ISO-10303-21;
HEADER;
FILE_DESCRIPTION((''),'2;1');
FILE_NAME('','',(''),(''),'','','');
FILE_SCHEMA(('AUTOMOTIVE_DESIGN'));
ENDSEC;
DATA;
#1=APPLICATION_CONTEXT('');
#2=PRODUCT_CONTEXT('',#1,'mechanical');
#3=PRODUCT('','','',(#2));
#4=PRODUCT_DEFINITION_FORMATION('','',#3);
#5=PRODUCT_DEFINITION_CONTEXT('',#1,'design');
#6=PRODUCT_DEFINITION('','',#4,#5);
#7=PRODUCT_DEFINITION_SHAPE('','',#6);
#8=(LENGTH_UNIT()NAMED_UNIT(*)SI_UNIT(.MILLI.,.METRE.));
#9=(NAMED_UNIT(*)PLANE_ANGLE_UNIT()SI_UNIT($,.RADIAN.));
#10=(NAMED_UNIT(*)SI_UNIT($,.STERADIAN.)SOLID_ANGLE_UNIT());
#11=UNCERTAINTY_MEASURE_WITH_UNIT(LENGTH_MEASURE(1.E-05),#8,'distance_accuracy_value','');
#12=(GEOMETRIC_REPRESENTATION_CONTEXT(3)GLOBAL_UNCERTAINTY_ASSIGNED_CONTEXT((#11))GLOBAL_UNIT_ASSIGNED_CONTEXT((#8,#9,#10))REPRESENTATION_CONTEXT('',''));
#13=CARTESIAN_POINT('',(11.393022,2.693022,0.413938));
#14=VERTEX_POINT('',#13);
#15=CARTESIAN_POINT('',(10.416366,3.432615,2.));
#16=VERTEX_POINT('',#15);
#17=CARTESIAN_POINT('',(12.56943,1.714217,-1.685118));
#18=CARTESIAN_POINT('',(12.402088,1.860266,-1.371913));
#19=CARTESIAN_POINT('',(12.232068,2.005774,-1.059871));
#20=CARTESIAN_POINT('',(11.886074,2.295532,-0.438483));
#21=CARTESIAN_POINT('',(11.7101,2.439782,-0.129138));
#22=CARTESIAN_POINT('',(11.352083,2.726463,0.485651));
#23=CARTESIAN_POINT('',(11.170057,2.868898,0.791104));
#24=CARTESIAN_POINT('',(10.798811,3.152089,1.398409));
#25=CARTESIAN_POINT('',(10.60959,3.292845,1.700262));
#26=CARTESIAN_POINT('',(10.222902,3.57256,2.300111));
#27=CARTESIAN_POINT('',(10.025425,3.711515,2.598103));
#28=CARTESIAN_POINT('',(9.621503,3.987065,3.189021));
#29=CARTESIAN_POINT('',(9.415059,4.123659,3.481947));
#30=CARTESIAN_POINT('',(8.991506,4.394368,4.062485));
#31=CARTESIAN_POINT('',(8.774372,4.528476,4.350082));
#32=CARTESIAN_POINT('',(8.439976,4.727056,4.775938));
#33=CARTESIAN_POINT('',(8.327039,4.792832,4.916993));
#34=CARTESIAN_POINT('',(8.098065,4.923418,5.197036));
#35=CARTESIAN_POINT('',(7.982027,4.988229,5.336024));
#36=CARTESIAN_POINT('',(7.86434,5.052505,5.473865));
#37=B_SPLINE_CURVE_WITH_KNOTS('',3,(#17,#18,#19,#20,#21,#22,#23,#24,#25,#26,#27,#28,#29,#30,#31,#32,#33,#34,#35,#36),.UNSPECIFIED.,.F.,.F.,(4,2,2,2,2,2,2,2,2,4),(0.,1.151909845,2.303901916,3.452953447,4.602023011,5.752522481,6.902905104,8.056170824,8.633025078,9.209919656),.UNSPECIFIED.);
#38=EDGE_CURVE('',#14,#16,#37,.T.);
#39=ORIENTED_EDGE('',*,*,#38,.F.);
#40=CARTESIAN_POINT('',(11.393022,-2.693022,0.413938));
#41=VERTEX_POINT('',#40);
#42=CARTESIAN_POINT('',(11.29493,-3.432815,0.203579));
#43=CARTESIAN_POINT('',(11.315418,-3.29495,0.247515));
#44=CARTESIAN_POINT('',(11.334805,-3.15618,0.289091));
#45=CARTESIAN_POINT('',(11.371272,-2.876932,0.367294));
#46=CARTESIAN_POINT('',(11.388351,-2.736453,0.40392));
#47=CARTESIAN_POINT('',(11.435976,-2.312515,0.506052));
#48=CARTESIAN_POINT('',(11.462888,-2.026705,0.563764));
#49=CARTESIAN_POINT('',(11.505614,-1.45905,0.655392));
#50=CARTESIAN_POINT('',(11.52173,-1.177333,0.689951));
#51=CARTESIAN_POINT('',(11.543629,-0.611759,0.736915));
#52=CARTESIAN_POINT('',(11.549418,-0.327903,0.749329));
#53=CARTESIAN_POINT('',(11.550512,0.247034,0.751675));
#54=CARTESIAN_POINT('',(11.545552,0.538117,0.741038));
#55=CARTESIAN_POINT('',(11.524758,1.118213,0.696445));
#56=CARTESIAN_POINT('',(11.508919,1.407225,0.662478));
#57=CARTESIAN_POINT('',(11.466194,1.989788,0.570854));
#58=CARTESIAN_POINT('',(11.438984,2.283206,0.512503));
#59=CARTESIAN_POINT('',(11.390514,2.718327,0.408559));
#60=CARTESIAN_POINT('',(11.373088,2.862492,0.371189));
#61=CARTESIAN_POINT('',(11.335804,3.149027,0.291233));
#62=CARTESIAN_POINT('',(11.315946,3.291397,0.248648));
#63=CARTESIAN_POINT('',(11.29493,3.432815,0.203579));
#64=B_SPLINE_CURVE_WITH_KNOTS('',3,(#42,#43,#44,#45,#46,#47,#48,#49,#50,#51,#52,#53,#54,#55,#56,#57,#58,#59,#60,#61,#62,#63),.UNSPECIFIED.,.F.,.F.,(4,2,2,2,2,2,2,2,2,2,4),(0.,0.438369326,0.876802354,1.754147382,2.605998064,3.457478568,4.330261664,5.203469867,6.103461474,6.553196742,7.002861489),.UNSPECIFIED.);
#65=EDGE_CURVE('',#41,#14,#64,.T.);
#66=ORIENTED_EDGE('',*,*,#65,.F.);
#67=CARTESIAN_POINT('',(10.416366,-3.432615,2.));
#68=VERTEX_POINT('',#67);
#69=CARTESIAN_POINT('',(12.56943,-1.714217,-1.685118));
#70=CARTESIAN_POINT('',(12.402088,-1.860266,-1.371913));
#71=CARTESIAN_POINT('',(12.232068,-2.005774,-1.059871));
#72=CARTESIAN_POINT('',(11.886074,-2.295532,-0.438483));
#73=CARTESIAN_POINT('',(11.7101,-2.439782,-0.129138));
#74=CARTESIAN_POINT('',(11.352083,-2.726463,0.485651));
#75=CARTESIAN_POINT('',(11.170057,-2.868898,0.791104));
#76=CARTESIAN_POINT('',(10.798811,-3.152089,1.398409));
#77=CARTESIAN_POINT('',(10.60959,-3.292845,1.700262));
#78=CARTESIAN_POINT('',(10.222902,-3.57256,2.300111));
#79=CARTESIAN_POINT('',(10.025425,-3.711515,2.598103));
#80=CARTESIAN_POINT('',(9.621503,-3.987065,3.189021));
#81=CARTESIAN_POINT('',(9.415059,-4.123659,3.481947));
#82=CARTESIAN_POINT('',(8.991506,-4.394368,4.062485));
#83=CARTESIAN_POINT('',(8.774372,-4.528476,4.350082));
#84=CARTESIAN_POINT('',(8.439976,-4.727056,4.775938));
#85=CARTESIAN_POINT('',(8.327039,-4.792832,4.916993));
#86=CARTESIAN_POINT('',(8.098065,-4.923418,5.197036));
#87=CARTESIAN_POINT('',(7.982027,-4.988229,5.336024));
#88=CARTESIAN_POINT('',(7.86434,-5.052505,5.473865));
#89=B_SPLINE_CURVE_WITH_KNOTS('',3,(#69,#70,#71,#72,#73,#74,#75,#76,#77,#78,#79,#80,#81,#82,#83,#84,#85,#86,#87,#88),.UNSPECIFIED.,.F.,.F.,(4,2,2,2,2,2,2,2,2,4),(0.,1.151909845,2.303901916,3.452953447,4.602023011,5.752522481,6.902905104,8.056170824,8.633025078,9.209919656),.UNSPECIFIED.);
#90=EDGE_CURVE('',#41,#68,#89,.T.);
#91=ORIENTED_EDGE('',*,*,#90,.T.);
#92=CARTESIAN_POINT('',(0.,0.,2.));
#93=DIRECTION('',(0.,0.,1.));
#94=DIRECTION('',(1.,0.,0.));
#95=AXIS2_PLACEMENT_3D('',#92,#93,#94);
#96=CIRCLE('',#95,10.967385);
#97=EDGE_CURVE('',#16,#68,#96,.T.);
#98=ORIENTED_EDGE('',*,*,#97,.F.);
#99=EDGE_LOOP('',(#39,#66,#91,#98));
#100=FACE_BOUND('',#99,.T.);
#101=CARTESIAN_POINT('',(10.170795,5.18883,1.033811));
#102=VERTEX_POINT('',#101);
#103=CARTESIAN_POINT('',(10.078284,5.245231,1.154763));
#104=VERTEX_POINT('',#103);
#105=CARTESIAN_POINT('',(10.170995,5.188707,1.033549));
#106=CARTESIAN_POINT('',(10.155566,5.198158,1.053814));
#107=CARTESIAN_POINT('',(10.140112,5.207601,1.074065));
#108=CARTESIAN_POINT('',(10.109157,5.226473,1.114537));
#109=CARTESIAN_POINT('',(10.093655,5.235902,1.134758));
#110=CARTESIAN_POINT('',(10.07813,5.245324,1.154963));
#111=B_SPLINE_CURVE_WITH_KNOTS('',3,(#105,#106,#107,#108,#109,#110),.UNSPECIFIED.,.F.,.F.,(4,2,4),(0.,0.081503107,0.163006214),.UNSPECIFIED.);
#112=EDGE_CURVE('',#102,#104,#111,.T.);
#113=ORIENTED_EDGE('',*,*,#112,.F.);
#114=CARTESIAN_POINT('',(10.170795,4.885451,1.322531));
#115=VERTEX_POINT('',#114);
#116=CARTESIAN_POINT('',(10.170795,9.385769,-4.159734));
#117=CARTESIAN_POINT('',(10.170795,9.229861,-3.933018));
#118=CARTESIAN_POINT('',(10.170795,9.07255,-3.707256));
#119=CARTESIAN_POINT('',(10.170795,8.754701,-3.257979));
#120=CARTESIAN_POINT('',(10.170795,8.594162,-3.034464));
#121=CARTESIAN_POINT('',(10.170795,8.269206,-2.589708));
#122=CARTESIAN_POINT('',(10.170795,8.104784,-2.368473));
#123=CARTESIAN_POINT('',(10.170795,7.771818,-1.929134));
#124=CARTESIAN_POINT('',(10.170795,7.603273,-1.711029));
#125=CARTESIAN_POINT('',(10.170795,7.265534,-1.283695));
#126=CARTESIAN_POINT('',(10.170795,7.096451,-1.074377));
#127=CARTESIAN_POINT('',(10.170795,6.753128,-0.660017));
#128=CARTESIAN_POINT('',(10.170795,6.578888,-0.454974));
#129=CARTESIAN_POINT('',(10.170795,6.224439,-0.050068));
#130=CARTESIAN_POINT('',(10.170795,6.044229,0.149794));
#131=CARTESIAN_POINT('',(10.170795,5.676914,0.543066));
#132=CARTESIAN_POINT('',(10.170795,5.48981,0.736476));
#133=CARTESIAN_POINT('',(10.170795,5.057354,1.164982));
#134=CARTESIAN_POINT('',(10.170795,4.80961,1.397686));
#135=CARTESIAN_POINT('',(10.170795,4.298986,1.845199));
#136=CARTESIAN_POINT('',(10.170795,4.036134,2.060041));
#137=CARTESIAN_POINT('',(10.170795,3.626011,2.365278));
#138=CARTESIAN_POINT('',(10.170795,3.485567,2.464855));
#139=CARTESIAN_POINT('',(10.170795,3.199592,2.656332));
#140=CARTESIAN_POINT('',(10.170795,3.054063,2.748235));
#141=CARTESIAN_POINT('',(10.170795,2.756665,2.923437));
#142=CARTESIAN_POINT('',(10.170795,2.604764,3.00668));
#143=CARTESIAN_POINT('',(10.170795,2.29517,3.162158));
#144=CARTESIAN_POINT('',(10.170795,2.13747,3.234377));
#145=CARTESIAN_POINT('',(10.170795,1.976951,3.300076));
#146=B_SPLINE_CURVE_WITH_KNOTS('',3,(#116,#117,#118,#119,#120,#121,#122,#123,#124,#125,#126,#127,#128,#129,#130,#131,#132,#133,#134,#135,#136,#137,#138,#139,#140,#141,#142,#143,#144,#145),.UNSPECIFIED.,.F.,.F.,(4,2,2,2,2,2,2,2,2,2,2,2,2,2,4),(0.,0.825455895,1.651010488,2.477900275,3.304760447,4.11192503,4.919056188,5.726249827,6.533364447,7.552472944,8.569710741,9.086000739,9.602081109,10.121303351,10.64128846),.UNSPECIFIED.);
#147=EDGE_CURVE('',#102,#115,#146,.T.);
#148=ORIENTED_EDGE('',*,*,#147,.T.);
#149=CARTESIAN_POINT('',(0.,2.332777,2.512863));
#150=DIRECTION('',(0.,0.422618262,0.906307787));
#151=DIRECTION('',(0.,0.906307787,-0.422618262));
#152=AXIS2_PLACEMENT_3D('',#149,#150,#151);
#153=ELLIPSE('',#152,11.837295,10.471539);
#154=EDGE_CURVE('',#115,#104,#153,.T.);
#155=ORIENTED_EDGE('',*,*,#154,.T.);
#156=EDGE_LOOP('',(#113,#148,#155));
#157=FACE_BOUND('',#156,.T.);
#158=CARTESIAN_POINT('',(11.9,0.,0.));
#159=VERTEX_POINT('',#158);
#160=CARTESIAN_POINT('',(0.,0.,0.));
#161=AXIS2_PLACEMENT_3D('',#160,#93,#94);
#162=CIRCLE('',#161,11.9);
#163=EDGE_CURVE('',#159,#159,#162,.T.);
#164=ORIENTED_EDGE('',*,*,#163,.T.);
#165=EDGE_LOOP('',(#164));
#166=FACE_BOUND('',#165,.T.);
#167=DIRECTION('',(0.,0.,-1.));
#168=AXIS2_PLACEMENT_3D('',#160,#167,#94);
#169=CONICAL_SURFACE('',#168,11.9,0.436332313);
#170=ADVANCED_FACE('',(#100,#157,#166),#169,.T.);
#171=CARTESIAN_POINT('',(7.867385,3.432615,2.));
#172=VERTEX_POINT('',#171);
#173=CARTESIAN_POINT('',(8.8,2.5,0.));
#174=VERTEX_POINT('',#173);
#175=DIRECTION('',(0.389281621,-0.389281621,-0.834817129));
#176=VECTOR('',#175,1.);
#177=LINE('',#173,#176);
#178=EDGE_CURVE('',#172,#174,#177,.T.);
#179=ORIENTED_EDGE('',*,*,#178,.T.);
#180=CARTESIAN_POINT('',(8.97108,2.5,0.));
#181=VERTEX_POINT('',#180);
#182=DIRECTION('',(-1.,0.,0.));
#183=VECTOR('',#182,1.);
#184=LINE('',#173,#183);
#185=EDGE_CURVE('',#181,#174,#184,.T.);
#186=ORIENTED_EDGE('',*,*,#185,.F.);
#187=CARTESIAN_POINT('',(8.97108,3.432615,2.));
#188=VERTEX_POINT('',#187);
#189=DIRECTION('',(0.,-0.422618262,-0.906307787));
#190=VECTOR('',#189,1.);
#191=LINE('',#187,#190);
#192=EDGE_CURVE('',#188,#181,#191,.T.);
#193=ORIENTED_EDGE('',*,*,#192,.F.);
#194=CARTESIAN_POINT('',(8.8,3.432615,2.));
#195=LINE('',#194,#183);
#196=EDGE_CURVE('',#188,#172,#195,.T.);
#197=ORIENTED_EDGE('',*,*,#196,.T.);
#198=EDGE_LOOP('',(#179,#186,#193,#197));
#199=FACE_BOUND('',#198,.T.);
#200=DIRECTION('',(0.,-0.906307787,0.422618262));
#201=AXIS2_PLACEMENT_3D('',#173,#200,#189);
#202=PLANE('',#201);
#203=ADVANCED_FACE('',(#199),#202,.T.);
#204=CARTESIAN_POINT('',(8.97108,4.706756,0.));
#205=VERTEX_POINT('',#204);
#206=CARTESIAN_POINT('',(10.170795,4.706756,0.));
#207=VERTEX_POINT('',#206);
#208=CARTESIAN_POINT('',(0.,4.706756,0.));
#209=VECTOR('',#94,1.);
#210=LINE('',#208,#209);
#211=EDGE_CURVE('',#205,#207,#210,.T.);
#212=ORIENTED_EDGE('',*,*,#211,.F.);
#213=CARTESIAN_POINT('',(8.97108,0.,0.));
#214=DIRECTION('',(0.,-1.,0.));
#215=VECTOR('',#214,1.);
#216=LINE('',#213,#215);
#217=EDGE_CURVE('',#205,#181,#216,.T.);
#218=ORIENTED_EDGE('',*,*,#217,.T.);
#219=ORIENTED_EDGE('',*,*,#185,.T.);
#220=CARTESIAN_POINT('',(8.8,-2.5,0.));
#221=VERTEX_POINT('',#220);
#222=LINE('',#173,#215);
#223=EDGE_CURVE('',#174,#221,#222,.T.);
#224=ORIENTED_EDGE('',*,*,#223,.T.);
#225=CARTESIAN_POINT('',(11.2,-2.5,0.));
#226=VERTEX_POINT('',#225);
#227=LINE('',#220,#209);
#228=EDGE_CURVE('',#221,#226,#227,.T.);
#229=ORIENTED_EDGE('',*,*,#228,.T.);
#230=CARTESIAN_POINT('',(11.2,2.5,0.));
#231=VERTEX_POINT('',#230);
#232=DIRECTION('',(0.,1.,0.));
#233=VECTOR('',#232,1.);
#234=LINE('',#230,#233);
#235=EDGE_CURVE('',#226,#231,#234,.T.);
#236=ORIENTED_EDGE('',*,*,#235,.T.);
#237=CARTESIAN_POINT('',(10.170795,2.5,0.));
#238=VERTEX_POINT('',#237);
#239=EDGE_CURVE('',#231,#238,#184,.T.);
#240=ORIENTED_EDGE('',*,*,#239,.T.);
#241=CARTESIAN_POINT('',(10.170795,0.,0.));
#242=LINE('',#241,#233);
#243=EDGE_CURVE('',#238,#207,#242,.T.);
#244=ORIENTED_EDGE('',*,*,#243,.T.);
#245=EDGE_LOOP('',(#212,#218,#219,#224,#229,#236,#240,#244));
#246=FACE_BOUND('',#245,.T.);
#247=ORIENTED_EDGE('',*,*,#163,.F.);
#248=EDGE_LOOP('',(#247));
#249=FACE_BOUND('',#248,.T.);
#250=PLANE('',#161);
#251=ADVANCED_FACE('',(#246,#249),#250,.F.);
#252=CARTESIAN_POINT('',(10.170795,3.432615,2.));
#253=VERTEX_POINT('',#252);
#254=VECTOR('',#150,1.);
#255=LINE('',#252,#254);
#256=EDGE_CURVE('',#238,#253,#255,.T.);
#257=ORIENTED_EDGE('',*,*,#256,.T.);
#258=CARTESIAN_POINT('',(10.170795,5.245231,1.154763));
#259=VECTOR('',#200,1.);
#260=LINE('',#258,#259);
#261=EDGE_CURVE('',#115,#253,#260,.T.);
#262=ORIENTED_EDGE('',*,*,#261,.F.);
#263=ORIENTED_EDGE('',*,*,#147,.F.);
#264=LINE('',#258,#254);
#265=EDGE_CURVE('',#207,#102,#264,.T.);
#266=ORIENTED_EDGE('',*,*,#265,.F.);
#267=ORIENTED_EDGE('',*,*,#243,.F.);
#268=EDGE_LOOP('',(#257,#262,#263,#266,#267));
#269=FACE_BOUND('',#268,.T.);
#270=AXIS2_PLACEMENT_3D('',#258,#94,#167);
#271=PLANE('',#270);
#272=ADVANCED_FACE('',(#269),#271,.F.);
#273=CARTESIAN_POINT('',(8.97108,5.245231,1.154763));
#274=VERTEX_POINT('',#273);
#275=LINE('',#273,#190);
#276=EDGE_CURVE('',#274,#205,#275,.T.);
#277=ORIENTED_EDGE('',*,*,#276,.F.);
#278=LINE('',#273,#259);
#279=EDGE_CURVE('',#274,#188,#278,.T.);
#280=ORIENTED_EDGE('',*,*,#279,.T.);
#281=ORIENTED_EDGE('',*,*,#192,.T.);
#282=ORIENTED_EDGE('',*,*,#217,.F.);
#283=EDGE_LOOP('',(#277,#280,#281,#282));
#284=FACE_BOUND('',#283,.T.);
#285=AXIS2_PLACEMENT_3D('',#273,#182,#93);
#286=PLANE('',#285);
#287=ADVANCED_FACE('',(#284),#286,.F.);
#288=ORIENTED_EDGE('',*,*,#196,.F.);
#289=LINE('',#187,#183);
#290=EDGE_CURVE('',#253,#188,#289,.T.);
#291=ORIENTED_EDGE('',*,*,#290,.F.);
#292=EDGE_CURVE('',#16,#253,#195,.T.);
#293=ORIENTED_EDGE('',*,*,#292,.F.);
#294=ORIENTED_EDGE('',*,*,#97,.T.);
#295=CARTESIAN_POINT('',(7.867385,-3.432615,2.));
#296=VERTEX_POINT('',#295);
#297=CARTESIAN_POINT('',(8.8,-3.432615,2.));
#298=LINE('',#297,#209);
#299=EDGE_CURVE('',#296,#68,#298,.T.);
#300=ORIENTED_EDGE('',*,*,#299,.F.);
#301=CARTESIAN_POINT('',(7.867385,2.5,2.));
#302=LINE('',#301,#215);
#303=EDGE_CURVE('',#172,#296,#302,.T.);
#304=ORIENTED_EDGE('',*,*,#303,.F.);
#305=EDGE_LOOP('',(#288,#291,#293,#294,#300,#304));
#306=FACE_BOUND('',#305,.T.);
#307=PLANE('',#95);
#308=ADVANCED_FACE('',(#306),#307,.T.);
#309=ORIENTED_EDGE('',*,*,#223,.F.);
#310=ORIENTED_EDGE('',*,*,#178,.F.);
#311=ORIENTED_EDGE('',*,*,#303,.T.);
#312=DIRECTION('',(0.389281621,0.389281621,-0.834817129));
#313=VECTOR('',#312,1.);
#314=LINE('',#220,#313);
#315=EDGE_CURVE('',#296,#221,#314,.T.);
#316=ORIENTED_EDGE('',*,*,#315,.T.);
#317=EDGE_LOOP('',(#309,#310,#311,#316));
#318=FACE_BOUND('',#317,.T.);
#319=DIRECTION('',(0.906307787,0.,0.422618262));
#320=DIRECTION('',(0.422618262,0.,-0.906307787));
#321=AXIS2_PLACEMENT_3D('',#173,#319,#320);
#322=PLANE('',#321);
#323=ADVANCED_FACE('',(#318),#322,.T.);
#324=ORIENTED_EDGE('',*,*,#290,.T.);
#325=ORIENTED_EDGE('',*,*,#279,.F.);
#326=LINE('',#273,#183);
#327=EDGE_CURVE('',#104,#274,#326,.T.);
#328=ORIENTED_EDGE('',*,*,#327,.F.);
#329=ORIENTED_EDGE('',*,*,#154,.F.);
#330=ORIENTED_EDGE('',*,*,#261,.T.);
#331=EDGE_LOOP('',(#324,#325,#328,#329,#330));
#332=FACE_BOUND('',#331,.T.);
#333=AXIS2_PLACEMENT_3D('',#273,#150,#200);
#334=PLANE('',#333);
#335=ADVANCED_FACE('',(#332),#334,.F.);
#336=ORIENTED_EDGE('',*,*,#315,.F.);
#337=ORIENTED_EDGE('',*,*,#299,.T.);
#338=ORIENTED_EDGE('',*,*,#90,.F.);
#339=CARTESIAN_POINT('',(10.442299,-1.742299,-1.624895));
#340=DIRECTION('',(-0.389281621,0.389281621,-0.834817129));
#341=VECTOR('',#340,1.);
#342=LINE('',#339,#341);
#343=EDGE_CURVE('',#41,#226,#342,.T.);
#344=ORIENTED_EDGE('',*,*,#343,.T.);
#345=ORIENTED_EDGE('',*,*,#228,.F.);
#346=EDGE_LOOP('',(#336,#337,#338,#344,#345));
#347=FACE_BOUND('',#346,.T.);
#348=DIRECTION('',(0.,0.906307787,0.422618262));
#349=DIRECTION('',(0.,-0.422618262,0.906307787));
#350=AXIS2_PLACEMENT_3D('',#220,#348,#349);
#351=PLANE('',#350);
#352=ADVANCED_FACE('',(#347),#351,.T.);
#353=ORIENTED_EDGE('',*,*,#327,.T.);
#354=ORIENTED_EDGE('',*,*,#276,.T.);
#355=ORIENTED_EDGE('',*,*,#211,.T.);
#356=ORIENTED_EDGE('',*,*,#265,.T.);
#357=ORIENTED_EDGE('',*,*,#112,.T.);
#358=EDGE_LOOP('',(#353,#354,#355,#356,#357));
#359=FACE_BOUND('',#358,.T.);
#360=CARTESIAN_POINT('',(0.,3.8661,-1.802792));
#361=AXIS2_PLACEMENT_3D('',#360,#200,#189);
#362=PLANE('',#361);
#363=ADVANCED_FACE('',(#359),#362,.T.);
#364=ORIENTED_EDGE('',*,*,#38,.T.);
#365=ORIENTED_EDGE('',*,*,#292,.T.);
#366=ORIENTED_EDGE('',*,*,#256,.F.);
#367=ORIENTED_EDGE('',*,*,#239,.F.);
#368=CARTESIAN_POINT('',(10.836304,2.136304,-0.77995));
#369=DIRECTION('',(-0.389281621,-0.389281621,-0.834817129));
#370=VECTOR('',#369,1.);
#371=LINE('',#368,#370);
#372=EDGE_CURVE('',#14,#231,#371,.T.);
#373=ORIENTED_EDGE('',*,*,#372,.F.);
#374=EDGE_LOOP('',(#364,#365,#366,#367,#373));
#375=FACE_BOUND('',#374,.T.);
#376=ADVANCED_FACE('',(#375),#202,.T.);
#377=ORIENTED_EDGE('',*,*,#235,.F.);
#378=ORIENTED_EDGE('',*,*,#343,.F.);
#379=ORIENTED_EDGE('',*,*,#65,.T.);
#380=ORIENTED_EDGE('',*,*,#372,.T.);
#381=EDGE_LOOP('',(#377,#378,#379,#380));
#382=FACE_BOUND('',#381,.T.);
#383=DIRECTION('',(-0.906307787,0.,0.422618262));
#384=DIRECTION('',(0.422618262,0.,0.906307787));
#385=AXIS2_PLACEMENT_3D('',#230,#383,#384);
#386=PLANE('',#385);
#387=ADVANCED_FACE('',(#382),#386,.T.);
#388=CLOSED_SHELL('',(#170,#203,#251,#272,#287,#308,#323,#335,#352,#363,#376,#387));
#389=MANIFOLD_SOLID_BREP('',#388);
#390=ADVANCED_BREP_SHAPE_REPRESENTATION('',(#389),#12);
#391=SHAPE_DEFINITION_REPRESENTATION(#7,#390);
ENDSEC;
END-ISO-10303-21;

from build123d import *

# Parameters (mm, degrees)
SKETCH1_R           = 11.9
SKETCH1_W           = 2.4
SKETCH1_H           = 5
BOSS_EXTRUDE2_DEPTH = 2
BOSS_EXTRUDE2_TAPER = 25
SKETCH4_W           = 1.199715213
SKETCH4_H           = 2.206755838
CUT_EXTRUDE1_DEPTH  = 2


with BuildPart() as part:
    # Sketch1 → Boss-Extrude2 (new body)
    with BuildSketch(Plane.XY):
        Circle(SKETCH1_R)
        with Locations((10, 0)):
            Rectangle(SKETCH1_W, SKETCH1_H, mode=Mode.SUBTRACT)
    extrude(amount=BOSS_EXTRUDE2_DEPTH, taper=BOSS_EXTRUDE2_TAPER)

    # Sketch4 → Cut-Extrude1 (cut)
    with BuildSketch(Plane(origin=(0, 2.053484512, -0.957555554), x_dir=(1, 0, 0), z_dir=(0, -0.9063077870366496, 0.42261826174070033))):
        with Locations((9.570937649, 2.159923573)):
            Rectangle(SKETCH4_W, SKETCH4_H)
    extrude(amount=-CUT_EXTRUDE1_DEPTH, mode=Mode.SUBTRACT)


solid = part.part
